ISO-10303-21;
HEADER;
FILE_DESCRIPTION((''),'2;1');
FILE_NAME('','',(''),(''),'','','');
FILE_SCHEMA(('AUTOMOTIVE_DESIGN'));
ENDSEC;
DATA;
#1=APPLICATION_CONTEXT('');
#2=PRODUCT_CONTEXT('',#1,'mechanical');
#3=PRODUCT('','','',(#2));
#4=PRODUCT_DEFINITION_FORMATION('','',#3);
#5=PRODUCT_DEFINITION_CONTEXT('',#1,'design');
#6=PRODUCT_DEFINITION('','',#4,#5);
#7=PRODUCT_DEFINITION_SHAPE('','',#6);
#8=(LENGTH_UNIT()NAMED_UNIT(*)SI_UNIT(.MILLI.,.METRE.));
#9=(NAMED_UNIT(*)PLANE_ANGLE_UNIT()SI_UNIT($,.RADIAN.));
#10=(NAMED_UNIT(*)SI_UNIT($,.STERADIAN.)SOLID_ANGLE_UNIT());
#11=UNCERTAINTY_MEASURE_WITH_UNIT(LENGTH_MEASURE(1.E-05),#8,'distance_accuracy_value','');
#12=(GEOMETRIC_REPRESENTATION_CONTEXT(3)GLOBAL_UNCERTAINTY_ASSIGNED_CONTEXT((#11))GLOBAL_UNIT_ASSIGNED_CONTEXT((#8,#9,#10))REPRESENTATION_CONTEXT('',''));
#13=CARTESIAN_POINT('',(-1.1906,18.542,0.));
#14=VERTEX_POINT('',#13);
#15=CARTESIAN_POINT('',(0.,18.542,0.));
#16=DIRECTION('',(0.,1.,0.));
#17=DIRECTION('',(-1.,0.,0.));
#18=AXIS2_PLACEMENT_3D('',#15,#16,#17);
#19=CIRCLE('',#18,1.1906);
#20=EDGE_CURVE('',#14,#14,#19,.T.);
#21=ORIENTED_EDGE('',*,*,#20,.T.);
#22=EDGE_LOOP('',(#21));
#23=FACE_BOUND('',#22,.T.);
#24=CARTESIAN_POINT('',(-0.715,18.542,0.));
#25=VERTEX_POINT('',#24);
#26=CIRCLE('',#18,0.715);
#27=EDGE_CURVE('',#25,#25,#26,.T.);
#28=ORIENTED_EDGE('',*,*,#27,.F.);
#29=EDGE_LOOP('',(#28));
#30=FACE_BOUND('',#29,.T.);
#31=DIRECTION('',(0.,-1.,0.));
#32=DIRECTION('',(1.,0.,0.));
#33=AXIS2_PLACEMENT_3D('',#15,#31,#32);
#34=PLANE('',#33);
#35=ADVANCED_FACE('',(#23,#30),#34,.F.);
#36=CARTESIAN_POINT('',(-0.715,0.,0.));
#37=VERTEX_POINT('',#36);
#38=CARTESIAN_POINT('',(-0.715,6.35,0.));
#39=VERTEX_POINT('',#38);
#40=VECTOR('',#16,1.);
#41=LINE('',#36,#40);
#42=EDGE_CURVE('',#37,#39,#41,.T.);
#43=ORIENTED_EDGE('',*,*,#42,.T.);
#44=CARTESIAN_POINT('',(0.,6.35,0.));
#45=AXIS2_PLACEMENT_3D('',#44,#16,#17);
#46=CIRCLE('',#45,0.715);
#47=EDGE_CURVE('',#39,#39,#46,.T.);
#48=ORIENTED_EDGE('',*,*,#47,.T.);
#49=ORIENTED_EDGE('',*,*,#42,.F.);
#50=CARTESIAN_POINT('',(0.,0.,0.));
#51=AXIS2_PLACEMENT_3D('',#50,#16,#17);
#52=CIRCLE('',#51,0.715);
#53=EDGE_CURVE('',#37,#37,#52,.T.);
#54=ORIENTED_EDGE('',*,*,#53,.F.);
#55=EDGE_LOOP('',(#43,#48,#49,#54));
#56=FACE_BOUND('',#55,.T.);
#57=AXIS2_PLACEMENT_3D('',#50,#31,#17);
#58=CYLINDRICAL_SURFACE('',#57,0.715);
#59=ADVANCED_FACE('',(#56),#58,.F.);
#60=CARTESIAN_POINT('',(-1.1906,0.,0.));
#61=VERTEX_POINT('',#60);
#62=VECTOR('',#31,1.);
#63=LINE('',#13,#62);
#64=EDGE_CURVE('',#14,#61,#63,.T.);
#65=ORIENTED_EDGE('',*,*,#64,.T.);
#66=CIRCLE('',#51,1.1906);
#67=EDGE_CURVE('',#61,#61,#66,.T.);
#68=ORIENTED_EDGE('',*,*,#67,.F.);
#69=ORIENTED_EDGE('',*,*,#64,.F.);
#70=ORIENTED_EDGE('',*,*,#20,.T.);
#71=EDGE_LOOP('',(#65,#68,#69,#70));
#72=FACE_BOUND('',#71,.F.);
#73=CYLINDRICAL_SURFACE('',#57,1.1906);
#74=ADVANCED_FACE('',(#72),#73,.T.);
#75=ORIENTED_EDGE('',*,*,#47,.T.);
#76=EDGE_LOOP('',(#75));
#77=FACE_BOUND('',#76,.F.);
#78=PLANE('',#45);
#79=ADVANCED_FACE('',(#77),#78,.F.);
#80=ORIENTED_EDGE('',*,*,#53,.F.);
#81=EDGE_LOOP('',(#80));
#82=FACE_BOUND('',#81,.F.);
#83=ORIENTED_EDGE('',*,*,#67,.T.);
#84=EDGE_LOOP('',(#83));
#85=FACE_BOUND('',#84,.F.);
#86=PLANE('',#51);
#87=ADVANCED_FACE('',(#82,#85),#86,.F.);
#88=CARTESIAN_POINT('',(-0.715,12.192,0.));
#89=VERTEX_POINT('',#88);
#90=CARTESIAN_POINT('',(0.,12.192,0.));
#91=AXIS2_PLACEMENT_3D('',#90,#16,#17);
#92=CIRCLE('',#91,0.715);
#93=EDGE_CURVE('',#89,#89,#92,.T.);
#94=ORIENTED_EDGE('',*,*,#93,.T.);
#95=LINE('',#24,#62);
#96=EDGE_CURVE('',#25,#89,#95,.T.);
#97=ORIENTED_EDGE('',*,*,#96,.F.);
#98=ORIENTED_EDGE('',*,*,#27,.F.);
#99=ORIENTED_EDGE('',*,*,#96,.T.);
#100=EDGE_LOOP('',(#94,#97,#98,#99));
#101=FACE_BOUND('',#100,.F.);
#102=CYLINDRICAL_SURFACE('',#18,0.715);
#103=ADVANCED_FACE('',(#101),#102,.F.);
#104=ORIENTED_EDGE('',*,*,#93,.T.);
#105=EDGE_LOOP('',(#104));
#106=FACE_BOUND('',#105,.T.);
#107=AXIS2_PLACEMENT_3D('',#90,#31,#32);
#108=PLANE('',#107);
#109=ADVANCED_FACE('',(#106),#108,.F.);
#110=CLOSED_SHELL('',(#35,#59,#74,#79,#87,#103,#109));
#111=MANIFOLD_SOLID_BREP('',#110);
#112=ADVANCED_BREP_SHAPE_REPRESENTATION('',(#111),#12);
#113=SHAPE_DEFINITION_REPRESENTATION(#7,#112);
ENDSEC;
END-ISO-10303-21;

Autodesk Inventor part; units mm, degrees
ref_plane "YZ Plane" through (0, 0, 0) normal (1, 0, 0) x (0, 1, 0)
ref_plane "XZ Plane" through (0, 0, 0) normal (0, 1, 0) x (-1, 0, 0)
ref_plane "XY Plane" through (0, 0, 0) normal (0, 0, 1) x (1, 0, 0)
sketch "Sketch1" plane through (0, 0, 0) normal (0, 1, 0) x (-1, 0, 0)
  circle A0 centre (0, 0) radius 1.1906
  circle A1 centre (0, 0) radius 0.715
  dimension "d0" = 2.3813
  dimension "d1" = 1.43
extrude "Extrusion1" add sketch "Sketch1" along normal blind 9.271 contours A0 | A1
extrude "Extrusion2" cut sketch "Sketch1" along normal blind 6.35 contours A1
mirror "Mirror1" about plane through (0, 9.271, 0) normal (0, 1, 0)
properties part number "Frame Post"
